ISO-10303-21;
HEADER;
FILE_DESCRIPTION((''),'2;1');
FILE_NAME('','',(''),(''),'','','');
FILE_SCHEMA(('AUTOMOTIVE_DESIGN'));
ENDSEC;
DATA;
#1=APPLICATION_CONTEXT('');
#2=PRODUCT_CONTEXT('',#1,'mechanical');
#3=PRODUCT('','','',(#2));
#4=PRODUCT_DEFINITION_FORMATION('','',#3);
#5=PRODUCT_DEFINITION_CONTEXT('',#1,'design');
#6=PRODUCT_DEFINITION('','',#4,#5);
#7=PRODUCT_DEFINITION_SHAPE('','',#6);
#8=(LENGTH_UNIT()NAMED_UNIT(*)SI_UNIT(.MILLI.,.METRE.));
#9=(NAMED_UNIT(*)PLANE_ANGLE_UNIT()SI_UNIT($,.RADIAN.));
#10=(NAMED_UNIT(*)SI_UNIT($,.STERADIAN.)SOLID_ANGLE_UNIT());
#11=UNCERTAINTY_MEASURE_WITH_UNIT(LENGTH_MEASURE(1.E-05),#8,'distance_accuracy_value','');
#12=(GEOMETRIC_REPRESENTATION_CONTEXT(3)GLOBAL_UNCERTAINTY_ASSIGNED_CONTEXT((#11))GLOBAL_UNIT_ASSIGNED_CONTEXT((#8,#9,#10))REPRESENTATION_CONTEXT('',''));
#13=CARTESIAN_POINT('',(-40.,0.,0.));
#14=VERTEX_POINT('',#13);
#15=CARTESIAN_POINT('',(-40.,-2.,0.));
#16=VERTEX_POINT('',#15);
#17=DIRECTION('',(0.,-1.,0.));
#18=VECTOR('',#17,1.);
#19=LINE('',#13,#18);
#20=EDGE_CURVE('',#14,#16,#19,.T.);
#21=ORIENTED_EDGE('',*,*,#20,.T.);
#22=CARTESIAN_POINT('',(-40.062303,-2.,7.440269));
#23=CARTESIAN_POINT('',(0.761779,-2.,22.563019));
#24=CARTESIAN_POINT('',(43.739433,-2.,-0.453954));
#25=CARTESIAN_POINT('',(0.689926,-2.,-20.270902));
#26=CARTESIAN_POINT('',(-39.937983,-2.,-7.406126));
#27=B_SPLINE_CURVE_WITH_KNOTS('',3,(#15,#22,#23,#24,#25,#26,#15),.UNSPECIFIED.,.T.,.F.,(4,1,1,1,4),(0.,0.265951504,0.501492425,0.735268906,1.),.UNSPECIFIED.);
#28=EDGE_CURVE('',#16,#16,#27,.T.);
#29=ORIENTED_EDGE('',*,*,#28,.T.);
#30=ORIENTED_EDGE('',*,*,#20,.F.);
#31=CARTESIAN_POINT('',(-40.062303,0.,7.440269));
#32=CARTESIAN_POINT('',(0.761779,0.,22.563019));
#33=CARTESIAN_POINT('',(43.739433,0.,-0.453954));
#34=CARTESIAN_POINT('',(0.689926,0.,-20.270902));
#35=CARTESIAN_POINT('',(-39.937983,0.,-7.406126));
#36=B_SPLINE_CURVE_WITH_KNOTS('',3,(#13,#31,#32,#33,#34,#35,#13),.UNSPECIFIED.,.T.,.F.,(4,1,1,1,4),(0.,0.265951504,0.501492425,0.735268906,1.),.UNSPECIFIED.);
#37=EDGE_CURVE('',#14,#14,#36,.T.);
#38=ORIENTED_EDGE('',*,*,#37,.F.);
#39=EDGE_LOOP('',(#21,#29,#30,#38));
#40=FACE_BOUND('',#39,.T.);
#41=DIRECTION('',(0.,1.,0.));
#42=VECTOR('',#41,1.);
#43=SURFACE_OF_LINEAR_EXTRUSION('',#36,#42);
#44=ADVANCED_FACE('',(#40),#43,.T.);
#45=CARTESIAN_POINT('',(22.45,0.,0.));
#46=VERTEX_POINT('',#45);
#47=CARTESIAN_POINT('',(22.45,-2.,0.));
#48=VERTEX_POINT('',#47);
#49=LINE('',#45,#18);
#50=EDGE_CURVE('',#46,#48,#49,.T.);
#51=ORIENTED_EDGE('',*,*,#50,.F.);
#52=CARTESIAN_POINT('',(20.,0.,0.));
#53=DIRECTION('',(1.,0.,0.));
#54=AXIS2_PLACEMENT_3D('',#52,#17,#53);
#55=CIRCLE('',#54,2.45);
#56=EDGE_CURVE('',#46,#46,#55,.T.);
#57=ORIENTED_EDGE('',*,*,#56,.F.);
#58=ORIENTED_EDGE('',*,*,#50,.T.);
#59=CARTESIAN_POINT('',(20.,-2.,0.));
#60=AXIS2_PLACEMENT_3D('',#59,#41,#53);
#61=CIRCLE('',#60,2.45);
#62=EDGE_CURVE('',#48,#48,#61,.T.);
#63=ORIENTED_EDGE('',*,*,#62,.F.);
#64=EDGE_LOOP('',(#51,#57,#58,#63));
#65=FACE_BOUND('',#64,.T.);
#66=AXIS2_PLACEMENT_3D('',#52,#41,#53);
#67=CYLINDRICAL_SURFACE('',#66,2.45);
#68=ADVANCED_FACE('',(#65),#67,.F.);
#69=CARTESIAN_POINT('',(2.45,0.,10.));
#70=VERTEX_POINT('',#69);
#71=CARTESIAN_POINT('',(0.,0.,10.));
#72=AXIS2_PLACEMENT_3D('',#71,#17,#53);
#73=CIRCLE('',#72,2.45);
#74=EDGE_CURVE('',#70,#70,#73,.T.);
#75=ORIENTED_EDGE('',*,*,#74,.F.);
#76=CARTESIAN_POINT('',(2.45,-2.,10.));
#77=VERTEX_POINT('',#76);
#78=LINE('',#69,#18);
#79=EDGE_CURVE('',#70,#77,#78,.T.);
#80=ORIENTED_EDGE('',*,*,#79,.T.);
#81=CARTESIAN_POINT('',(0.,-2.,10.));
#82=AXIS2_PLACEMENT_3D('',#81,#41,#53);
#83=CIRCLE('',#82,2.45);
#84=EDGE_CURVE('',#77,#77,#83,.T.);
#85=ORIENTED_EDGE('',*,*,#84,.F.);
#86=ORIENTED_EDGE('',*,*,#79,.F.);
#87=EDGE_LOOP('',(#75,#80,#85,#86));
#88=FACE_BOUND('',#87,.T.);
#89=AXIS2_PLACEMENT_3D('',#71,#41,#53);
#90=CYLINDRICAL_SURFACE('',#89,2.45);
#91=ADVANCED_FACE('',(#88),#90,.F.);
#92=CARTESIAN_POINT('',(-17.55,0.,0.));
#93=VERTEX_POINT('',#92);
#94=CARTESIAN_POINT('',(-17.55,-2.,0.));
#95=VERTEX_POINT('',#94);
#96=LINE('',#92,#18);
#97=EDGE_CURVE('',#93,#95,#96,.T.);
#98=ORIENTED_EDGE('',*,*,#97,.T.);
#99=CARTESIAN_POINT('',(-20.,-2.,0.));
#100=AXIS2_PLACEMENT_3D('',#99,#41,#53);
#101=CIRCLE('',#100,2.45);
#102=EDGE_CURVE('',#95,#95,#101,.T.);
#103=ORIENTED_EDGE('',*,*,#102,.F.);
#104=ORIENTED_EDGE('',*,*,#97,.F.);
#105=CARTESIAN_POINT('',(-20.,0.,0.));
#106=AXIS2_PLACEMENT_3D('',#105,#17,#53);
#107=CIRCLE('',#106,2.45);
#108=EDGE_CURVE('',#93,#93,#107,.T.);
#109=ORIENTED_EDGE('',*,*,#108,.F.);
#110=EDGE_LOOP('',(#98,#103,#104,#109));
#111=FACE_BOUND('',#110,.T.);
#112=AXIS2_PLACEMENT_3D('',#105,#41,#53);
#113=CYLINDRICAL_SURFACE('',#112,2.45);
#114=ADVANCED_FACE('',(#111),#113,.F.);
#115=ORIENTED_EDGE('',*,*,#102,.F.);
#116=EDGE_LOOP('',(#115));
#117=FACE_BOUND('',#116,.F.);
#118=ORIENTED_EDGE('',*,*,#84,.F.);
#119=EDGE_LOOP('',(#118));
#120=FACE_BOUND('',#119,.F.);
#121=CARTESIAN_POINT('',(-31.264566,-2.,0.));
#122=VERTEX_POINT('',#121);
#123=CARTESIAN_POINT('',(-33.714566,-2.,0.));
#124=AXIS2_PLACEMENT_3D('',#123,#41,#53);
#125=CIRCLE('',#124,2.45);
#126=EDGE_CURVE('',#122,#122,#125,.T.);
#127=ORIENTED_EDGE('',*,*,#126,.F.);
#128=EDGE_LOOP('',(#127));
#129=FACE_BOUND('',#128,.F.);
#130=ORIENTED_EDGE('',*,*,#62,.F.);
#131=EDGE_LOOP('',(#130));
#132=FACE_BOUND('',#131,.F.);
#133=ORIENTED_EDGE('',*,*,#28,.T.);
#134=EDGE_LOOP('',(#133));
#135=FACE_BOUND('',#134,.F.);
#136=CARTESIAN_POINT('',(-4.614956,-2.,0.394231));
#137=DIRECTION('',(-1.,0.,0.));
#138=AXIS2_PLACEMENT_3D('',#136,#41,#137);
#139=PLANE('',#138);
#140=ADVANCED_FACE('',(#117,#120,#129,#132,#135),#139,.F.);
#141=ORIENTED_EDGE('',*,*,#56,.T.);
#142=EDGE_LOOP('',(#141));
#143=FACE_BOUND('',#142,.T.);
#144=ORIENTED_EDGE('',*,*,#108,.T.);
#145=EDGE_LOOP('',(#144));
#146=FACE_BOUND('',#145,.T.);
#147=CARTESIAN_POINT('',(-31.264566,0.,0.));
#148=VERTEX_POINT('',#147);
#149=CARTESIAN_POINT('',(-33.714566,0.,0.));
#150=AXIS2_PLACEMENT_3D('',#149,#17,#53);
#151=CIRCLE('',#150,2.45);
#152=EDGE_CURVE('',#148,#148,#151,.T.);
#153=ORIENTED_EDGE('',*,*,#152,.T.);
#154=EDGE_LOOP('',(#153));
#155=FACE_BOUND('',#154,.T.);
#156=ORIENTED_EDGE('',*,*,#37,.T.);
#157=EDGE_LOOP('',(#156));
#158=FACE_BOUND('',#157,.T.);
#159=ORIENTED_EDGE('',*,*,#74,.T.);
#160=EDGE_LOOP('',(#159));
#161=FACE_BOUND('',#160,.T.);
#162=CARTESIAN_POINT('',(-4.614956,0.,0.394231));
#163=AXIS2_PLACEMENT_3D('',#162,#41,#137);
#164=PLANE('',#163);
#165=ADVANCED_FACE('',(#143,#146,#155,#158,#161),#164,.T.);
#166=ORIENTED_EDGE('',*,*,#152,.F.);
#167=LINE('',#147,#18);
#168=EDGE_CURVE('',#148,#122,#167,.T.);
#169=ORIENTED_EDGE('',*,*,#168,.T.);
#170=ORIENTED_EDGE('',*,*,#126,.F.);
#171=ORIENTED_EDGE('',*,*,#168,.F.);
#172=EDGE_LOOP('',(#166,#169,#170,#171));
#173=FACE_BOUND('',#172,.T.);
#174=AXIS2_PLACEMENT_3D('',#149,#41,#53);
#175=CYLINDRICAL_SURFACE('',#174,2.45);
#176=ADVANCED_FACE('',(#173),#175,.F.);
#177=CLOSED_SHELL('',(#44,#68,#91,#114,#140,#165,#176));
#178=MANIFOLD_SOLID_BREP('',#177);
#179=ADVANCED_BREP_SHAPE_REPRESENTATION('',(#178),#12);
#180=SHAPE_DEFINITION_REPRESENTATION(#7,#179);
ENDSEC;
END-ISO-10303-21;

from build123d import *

# Parameters (mm, degrees)
F2_DEPTH = 2
F0_R     = 2.45
F3_DEPTH = 25


with BuildPart() as f2:
    # F1 (on Front) → F2 (new body)
    with BuildSketch(Plane.XZ):
        with BuildLine():
            add(Edge.make_bspline(
                [(-40, 0), (-40.0623030611, 7.4402685777), (0.7617790212, 22.5630186545), (43.7394329257, -0.4539542473), (0.6899262616, -20.2709022653), (-39.937982838, -7.4061263351), (-40, 0)],
                knots=[0, 0, 0, 0, 0.2659515038, 0.5014924246, 0.7352689065, 1, 1, 1, 1], degree=3))
        make_face()
    extrude(amount=F2_DEPTH)

    # F0 (on Front) → F3 (cut)
    with BuildSketch(Plane.XZ):
        with Locations((-20, 0)):
            Circle(F0_R)
        with Locations((0, 10)):
            Circle(F0_R)
        with Locations((20, 0)):
            Circle(F0_R)
        with Locations((-33.7145663798, 0)):
            Circle(F0_R)
    extrude(amount=F3_DEPTH, mode=Mode.SUBTRACT)


solid = f2.part
